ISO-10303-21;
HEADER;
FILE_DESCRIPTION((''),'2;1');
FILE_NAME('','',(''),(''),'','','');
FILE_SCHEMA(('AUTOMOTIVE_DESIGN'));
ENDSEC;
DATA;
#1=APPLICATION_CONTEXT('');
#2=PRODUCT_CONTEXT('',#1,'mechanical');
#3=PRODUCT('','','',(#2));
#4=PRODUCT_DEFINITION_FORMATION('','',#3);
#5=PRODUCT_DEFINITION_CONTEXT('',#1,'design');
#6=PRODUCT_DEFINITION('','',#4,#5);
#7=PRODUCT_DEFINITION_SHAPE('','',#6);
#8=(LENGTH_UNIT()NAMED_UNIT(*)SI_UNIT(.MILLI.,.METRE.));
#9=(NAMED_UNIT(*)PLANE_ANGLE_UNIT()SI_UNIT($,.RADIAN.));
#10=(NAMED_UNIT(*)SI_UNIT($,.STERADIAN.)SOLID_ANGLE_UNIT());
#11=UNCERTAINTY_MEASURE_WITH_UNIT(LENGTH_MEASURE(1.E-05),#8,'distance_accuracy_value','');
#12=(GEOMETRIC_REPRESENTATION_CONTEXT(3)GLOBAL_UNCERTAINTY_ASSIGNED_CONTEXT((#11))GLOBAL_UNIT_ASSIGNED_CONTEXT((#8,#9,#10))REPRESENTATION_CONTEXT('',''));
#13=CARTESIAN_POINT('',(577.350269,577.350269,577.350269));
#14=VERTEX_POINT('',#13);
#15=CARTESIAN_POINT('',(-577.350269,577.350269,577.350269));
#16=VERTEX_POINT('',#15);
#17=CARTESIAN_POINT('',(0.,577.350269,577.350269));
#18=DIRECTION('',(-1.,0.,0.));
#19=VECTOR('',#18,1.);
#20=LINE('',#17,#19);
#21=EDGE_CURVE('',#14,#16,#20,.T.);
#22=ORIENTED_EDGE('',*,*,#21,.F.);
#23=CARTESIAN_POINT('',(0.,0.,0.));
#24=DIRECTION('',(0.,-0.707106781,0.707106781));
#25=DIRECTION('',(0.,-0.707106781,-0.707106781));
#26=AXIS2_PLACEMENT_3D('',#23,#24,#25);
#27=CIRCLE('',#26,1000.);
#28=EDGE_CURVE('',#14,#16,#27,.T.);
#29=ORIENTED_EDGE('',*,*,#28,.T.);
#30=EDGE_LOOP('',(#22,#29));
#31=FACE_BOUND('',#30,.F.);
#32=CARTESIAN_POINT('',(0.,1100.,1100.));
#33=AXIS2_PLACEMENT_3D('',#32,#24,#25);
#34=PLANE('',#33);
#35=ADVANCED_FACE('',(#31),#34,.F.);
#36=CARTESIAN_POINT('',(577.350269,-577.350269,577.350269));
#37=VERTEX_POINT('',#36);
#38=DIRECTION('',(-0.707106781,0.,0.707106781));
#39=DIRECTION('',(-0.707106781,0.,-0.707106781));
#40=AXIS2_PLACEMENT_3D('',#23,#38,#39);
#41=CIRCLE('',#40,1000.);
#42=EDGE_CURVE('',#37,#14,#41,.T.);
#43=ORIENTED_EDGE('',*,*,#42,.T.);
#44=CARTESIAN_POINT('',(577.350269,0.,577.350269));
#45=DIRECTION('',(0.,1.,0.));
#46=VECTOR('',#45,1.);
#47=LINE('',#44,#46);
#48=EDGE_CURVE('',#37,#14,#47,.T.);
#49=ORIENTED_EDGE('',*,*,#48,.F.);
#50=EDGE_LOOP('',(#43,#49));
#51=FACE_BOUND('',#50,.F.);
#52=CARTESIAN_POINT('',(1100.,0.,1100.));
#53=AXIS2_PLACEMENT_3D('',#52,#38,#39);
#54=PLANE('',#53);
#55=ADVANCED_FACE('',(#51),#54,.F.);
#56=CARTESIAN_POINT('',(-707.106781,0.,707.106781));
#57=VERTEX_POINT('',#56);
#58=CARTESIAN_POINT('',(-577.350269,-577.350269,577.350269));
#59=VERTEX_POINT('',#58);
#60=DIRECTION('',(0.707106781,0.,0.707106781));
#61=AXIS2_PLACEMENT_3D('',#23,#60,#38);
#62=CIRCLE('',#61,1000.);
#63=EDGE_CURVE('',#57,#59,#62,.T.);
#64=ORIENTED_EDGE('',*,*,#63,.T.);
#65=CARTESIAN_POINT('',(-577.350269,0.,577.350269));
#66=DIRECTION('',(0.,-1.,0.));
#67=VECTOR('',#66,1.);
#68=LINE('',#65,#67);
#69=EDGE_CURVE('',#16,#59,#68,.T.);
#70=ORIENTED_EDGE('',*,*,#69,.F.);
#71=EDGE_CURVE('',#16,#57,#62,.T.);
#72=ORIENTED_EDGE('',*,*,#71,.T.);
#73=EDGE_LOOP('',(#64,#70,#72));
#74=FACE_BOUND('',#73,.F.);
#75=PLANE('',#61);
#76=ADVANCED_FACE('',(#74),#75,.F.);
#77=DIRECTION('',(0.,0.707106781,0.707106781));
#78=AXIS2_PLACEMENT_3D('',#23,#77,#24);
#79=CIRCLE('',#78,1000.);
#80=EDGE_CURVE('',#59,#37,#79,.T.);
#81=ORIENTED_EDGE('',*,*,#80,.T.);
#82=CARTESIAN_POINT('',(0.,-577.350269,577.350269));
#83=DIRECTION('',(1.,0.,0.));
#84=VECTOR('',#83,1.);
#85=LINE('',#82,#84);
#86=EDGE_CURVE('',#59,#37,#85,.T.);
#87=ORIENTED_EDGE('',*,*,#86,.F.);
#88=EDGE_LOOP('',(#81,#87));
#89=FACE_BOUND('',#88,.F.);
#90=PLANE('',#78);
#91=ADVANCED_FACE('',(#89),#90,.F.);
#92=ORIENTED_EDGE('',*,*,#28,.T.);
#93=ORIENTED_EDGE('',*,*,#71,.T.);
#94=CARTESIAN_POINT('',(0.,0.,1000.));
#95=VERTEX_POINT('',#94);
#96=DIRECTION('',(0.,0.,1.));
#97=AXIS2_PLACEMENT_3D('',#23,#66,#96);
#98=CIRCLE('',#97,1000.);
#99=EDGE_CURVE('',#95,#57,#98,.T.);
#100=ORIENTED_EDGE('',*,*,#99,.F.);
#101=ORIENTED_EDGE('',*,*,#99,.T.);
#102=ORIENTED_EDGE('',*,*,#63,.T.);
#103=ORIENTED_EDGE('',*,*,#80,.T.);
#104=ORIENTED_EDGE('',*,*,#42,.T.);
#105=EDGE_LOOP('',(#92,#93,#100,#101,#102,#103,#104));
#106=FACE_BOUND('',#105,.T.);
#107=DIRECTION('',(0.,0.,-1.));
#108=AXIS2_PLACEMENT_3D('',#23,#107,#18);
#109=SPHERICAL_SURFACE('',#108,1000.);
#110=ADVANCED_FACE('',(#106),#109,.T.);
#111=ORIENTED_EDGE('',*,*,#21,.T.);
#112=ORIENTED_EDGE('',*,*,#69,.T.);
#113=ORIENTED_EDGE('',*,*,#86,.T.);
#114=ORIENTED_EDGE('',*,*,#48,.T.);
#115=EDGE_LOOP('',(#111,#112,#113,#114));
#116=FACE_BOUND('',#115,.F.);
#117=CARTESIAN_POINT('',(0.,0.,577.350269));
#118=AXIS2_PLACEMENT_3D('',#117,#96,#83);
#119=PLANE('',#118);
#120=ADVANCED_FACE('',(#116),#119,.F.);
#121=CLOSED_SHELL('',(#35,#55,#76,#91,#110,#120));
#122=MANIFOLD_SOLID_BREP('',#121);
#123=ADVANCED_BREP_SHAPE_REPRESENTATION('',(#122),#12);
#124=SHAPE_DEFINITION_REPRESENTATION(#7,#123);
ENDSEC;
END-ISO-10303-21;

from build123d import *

# Parameters (mm, degrees)
F3_DEPTH = 1100
F5_DEPTH = 1100
F6_R     = 1000
F7_DEPTH = 577.3502691896


with BuildPart() as f1:
    # F0 (on Front) → F1 (revolve)
    with BuildSketch(Plane.XZ):
        with BuildLine():
            Line((0, -1000), (0, 1000))
            ThreePointArc((0, 1000), (-1000, 0), (0, -1000))
        make_face()
    revolve(axis=Axis((0, 0, 0), (0, 0, -1)))

    # F2 (on Front) → F3 (cut, symmetric)
    with BuildSketch(Plane.XZ):
        Polygon((0, 0), (-1100, 1100), (-1100, -1100), (1100, -1100), (1100, 1100), align=None)
    extrude(amount=F3_DEPTH, both=True, mode=Mode.SUBTRACT)

    # F4 (on Right) → F5 (cut, symmetric)
    with BuildSketch(Plane.YZ):
        Polygon((0, 0), (-1100, 1100), (-1100, -1100), (1100, -1100), (1100, 1100), align=None)
    extrude(amount=F5_DEPTH, both=True, mode=Mode.SUBTRACT)

    # F6 (on Top) → F7 (cut, through all)
    with BuildSketch(Plane.XY):
        Circle(F6_R)
    extrude(amount=F7_DEPTH, mode=Mode.SUBTRACT)


solid = f1.part
